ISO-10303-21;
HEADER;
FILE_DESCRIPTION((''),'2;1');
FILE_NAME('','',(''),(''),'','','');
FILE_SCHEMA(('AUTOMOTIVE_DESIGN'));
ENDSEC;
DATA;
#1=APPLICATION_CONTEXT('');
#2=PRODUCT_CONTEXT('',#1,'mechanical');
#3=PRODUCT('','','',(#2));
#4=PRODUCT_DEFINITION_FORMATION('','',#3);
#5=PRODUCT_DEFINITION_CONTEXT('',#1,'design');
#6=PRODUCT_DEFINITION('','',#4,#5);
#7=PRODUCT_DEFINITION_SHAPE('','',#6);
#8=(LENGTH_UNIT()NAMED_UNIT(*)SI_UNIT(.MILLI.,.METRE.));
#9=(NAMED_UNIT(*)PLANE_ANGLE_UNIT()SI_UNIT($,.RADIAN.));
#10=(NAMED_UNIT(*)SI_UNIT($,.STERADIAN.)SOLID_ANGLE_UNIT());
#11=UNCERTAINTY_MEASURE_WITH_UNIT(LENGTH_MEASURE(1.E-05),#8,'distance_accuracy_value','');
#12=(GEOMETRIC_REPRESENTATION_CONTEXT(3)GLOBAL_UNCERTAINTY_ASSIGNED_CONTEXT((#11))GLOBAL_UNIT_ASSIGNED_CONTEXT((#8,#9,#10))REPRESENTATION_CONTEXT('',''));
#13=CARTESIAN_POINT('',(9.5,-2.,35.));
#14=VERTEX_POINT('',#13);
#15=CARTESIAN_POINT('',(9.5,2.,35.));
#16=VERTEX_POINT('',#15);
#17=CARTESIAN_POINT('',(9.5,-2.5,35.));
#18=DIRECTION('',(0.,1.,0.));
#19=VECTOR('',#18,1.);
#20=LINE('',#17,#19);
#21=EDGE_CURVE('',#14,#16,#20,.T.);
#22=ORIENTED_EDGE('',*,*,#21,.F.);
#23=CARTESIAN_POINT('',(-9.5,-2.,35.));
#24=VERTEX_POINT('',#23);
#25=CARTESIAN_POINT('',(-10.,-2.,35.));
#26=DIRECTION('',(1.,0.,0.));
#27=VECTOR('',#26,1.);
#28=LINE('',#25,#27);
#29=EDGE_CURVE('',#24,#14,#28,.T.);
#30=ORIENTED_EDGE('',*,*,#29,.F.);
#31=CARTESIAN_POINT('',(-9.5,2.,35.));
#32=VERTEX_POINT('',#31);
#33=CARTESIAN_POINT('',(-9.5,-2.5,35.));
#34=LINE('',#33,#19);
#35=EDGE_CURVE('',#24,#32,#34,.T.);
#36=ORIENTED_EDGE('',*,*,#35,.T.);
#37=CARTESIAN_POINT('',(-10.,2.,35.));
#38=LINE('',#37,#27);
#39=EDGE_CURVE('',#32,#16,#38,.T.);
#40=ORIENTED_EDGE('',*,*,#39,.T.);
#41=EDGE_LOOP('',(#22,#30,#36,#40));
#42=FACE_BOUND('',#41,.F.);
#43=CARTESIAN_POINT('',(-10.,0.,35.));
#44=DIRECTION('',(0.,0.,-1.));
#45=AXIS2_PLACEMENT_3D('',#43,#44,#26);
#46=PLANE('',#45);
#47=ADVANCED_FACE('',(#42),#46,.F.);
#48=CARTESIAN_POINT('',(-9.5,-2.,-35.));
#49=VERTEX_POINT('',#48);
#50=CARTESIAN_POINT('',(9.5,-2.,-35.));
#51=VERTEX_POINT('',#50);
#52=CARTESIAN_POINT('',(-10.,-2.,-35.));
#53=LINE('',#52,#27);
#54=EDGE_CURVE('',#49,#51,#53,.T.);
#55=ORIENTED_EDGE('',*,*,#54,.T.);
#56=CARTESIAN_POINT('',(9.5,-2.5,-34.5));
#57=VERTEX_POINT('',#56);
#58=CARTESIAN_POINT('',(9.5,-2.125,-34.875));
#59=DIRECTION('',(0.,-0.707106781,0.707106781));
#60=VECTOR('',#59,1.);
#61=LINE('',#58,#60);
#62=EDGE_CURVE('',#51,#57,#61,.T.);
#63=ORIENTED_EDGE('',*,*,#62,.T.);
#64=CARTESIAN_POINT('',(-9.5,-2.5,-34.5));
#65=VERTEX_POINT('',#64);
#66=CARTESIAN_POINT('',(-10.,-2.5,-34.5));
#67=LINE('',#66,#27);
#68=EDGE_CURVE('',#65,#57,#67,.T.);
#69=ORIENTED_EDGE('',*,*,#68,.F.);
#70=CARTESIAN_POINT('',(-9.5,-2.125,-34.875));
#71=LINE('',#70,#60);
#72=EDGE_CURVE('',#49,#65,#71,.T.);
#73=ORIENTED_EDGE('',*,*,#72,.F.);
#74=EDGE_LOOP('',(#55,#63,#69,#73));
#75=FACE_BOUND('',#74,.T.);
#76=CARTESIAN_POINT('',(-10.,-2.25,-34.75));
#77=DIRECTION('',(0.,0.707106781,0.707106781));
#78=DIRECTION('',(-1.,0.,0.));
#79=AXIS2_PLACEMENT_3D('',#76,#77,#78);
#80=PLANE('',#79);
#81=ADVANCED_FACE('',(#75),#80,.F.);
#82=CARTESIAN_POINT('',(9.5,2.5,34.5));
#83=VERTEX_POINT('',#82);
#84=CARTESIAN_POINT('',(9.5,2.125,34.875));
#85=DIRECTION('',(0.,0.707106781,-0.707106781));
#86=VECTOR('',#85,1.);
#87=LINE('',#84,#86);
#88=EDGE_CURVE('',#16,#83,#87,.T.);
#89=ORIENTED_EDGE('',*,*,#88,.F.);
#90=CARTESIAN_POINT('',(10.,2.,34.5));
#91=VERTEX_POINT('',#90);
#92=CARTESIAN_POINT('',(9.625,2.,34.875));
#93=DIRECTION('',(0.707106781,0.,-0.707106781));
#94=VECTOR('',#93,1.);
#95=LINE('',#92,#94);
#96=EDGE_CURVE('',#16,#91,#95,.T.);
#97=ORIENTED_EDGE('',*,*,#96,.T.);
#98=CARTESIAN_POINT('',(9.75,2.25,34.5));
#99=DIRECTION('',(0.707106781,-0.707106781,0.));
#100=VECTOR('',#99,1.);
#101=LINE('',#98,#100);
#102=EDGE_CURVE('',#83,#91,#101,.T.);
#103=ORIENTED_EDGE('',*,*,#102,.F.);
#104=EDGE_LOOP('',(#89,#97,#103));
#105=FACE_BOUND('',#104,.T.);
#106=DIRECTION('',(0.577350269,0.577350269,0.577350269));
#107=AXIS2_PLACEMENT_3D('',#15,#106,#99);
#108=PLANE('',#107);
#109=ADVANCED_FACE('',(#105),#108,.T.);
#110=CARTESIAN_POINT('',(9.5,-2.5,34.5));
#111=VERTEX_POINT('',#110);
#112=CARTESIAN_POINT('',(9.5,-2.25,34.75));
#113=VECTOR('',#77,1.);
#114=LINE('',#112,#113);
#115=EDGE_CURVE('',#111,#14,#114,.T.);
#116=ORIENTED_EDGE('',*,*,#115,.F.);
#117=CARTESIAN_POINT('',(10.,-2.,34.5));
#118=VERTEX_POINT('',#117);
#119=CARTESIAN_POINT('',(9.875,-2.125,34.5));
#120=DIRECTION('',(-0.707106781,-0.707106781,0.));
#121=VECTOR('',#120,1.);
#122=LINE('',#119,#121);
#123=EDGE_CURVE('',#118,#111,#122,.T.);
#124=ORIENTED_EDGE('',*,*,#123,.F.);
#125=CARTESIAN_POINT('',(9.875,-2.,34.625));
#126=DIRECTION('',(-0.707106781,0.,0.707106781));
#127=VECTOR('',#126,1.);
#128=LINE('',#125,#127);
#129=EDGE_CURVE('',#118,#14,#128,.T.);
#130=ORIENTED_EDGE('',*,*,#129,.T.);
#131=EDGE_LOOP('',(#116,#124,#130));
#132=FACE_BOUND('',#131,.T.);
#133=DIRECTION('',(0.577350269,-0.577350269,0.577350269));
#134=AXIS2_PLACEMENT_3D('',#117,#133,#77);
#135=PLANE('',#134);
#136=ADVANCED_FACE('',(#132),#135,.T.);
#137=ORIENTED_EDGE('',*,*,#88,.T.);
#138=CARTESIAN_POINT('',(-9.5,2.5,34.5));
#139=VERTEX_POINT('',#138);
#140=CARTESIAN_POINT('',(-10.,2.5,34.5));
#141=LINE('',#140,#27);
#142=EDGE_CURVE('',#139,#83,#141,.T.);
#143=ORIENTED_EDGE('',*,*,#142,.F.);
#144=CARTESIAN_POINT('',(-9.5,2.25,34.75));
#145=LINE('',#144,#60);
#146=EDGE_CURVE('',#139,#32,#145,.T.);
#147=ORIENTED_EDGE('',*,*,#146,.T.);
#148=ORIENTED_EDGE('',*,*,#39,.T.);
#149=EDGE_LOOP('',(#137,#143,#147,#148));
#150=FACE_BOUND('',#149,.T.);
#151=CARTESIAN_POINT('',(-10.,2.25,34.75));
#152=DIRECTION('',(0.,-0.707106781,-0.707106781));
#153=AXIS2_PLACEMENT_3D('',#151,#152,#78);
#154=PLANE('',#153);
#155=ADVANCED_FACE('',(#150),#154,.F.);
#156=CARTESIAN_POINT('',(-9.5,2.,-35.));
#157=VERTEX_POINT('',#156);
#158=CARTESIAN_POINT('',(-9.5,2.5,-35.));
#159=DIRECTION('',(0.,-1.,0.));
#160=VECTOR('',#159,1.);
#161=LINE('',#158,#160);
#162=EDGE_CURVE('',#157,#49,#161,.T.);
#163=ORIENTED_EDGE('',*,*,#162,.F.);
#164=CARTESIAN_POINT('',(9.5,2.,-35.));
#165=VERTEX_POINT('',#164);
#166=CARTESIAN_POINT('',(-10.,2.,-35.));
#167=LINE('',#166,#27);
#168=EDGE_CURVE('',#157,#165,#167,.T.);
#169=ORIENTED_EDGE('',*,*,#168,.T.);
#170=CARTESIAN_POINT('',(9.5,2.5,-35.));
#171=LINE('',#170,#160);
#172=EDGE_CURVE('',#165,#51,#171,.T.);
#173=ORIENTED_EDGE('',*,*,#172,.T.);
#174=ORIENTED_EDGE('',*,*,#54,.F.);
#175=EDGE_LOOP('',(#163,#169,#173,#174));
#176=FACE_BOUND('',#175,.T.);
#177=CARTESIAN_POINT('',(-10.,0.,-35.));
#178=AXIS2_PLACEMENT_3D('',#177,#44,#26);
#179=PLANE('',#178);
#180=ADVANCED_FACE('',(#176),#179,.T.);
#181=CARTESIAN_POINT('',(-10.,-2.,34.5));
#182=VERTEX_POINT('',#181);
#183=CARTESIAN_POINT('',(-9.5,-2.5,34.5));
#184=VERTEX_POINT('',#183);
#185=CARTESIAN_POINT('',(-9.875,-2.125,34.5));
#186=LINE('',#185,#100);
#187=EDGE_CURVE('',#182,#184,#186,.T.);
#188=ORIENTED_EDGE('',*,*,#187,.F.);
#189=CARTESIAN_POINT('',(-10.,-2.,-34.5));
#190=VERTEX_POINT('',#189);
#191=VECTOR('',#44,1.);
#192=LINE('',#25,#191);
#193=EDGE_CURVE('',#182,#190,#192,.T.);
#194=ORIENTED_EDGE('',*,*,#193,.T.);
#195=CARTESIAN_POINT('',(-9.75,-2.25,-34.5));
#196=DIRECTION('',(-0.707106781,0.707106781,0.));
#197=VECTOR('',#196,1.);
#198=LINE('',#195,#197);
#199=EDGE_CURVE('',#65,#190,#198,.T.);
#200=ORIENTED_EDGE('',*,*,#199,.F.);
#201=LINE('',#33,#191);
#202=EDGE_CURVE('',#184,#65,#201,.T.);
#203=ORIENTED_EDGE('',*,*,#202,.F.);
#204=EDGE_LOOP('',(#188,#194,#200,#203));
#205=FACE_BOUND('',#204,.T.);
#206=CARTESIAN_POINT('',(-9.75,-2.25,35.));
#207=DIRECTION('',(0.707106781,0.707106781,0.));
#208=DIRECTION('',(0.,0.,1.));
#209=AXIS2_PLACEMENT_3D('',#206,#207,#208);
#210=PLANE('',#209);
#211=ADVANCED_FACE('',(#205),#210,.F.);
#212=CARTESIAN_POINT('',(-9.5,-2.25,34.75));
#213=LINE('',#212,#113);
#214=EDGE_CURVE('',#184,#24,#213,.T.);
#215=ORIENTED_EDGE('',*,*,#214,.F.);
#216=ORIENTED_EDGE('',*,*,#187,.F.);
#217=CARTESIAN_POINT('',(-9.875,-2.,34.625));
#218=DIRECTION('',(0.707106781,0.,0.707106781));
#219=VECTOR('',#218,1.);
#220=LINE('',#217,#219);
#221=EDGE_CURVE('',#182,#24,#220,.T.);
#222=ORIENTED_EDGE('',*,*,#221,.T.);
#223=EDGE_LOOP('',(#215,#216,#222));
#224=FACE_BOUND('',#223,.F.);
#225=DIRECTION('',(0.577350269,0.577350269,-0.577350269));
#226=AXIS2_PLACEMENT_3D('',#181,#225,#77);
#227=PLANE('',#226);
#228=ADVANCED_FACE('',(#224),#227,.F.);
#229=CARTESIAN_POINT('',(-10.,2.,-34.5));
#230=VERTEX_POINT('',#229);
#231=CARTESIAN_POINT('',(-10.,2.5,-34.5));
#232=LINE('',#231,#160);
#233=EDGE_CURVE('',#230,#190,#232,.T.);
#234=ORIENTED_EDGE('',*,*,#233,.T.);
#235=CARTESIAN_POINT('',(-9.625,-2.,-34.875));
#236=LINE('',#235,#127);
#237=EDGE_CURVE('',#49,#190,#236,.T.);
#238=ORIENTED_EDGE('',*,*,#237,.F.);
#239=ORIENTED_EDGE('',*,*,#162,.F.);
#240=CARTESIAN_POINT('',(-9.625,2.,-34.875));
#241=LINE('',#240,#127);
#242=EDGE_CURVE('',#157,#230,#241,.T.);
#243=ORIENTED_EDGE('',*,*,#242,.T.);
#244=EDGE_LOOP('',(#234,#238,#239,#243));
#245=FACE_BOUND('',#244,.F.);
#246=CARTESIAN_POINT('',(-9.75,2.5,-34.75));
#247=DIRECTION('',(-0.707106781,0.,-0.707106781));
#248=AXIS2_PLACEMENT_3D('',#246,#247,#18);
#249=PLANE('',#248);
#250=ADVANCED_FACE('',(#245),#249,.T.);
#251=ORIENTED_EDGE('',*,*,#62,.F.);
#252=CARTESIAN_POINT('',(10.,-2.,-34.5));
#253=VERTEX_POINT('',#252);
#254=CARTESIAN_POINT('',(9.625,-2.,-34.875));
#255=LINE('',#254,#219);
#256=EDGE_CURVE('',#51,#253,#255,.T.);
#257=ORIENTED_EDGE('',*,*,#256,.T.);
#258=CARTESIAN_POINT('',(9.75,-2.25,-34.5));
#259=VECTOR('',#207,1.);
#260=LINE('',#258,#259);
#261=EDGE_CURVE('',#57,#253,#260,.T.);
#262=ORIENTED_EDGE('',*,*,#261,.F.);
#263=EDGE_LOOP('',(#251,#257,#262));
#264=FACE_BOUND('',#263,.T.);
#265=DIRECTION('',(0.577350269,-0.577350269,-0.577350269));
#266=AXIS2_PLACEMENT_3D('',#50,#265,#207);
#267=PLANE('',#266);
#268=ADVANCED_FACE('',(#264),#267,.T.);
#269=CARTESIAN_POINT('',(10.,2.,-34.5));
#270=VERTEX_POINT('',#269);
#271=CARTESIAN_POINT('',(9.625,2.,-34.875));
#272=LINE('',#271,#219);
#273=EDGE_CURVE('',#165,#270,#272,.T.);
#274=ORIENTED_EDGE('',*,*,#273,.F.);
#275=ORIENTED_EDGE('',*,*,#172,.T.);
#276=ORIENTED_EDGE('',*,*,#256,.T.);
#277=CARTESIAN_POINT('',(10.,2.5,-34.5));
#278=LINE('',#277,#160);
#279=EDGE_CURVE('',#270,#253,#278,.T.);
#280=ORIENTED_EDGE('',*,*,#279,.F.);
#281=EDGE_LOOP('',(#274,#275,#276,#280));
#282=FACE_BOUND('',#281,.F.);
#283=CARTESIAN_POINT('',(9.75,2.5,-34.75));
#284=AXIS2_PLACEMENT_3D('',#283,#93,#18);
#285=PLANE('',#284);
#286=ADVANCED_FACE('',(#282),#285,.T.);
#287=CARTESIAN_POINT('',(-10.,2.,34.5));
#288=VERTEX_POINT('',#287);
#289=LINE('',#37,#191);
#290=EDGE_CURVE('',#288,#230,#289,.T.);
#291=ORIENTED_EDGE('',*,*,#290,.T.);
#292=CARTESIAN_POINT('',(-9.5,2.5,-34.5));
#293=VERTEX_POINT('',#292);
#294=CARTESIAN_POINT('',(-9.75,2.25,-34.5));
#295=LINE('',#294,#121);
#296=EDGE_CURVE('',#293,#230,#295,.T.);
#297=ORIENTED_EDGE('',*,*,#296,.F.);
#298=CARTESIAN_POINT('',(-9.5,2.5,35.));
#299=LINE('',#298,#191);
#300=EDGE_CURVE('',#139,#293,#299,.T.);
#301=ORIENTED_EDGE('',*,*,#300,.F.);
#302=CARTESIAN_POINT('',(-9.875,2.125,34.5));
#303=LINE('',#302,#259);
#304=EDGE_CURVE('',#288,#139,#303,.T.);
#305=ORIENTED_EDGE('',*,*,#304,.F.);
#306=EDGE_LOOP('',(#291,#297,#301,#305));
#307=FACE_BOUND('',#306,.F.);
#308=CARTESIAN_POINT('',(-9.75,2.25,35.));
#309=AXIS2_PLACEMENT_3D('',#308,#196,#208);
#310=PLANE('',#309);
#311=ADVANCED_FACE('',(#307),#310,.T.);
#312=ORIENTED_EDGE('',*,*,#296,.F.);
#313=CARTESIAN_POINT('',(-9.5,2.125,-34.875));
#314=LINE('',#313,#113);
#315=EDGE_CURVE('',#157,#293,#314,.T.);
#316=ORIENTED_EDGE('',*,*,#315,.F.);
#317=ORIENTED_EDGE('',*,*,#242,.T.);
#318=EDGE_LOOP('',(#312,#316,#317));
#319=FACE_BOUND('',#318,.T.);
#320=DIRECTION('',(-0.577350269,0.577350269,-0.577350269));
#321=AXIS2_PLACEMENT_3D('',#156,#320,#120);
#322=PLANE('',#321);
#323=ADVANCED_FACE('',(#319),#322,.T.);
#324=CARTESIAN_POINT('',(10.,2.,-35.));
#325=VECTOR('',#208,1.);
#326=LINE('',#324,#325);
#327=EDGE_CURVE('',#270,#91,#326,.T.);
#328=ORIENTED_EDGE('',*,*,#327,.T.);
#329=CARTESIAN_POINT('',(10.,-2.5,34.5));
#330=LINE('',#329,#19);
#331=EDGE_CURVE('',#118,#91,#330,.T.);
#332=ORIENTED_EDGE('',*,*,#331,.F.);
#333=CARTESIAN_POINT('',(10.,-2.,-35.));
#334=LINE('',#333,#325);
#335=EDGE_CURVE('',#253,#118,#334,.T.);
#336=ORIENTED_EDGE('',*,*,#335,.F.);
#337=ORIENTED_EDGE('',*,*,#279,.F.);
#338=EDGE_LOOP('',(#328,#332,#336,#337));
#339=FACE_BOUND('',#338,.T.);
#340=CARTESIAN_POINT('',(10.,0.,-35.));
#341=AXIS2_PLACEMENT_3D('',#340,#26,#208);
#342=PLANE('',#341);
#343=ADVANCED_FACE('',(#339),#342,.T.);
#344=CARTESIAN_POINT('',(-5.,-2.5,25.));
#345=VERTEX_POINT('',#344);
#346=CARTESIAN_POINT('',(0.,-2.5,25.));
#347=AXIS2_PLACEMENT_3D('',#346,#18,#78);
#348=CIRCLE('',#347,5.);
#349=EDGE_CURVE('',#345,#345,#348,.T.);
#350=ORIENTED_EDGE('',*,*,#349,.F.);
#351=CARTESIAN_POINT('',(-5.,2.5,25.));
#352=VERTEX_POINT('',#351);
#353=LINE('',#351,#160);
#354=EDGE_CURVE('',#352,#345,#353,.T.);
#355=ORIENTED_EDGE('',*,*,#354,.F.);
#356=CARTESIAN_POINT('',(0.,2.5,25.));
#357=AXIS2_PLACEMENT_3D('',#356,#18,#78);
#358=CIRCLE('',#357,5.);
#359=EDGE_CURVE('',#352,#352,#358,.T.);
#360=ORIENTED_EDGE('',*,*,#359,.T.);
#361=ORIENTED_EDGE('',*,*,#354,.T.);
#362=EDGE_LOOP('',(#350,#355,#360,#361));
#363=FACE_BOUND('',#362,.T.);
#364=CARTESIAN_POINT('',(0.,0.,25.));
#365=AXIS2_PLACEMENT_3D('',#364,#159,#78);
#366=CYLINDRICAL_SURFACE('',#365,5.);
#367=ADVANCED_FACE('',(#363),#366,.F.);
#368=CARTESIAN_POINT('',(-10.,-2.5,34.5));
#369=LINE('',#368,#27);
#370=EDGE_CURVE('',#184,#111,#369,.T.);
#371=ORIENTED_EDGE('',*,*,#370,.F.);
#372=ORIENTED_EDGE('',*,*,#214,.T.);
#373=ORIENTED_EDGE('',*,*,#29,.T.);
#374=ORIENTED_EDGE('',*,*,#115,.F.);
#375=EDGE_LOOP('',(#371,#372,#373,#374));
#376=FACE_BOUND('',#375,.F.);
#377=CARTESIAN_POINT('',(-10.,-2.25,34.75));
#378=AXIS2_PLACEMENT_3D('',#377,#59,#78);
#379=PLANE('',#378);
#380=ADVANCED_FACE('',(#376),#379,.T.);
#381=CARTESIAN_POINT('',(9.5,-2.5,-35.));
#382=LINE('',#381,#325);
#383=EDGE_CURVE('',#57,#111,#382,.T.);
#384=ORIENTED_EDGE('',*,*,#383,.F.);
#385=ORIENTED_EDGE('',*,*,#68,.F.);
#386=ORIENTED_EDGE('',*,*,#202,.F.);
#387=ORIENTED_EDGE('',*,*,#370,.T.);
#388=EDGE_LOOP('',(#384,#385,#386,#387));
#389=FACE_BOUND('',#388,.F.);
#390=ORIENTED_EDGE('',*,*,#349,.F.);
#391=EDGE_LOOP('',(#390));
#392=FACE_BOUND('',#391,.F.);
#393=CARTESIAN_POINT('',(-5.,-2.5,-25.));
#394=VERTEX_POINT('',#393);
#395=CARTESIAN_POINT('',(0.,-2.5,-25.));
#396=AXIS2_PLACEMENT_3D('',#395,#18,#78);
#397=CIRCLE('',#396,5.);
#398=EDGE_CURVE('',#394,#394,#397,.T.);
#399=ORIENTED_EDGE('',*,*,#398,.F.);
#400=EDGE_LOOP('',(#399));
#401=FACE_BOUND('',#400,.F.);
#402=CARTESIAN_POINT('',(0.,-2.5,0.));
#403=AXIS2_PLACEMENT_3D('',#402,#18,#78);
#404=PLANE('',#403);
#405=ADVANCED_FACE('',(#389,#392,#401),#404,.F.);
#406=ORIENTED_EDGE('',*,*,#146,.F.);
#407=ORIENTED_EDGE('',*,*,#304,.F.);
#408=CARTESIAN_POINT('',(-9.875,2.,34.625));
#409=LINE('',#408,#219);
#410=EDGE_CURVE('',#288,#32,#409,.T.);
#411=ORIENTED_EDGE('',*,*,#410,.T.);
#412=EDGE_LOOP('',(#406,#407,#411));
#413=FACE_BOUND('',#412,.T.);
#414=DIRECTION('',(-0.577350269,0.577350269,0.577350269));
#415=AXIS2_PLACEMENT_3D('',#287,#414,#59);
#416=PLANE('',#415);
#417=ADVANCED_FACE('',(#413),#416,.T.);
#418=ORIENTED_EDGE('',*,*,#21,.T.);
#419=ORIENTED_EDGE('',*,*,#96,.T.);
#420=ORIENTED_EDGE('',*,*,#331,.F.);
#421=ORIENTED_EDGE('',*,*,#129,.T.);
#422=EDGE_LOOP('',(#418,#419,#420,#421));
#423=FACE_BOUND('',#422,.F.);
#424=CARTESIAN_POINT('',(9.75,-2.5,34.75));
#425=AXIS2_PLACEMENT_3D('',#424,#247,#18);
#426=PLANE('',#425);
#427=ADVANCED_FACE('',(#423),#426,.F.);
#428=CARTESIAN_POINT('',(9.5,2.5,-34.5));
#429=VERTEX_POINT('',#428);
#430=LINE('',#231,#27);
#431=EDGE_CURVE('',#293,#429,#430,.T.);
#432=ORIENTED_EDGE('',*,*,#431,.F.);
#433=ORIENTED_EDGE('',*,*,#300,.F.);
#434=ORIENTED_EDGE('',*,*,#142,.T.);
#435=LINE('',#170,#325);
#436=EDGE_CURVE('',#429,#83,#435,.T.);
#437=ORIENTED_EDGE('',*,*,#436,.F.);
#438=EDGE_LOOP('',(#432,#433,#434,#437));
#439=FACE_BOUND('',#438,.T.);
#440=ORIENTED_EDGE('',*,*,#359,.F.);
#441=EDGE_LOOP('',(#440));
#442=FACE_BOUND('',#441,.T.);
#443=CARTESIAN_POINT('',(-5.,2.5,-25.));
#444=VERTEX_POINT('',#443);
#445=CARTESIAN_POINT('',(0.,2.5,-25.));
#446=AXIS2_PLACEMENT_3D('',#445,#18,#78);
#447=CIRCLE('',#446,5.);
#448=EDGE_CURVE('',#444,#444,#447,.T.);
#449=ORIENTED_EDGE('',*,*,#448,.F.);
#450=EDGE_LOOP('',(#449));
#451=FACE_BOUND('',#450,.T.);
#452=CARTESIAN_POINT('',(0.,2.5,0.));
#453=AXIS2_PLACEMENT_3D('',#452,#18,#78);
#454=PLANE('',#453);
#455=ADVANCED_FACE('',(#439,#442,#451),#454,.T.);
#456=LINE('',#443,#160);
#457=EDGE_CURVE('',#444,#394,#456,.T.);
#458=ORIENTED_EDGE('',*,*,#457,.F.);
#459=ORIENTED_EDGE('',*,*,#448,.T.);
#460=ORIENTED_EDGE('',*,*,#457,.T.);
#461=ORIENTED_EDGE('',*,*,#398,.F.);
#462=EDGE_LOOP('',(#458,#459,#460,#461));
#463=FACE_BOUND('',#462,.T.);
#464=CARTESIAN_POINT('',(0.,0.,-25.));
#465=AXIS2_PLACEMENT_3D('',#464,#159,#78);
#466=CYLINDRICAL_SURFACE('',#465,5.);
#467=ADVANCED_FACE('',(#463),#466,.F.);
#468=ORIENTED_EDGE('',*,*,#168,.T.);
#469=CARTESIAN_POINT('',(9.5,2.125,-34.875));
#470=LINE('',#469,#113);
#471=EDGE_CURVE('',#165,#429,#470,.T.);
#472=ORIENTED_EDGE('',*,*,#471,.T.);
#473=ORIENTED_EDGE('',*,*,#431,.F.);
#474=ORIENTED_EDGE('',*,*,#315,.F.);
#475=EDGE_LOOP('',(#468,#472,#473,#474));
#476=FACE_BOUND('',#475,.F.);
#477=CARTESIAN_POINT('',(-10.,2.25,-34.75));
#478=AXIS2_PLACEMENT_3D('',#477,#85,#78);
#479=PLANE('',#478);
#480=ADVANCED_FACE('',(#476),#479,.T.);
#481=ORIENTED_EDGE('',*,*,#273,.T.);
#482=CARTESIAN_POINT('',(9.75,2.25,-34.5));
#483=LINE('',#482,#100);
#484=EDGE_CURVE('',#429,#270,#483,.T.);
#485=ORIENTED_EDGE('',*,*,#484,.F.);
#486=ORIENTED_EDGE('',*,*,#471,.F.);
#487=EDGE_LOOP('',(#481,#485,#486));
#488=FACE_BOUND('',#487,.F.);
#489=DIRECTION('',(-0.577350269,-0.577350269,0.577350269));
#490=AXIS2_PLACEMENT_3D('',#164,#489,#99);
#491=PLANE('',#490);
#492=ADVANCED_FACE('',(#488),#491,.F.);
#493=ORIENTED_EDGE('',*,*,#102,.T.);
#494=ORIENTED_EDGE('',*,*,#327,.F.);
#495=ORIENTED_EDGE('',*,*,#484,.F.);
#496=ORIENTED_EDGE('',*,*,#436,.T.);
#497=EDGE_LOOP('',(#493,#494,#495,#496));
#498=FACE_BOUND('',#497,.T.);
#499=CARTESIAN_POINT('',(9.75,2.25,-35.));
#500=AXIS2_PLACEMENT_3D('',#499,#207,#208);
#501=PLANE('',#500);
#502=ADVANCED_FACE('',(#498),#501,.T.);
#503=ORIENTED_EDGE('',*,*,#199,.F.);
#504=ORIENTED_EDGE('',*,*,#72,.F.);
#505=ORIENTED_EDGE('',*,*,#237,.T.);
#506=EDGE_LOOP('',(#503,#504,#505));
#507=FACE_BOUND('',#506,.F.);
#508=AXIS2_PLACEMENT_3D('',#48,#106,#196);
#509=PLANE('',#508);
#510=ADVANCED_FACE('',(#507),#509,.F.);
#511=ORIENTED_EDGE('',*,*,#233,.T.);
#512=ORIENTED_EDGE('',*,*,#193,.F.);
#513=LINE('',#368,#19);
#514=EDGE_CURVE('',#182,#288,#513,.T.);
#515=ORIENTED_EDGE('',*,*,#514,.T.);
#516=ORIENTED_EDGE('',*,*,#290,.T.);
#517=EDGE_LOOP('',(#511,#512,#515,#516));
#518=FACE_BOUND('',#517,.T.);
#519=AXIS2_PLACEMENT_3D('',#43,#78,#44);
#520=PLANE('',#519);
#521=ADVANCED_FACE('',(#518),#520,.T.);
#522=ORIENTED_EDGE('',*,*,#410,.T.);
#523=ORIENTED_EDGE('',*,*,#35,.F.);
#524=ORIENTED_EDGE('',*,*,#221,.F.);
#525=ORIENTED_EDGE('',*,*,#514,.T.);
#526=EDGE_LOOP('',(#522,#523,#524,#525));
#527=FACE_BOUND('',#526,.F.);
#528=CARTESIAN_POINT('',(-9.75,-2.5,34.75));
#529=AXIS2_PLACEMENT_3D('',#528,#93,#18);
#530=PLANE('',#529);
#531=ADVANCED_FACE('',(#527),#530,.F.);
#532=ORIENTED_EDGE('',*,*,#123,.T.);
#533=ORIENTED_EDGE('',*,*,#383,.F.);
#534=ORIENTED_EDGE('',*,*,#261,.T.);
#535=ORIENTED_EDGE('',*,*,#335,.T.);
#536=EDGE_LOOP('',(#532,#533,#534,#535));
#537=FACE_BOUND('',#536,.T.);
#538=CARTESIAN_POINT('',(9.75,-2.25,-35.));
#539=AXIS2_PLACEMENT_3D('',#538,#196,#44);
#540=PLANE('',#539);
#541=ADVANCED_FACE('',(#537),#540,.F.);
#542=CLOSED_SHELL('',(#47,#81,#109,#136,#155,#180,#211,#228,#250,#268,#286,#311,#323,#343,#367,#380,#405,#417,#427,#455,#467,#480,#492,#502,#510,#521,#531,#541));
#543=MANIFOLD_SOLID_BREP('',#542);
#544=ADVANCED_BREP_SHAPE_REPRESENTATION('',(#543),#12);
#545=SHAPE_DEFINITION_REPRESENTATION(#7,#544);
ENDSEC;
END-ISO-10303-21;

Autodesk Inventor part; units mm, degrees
ref_plane "YZ Plane" through (0, 0, 0) normal (1, 0, 0) x (0, 1, 0)
ref_plane "XZ Plane" through (0, 0, 0) normal (0, 1, 0) x (-1, 0, 0)
ref_plane "XY Plane" through (0, 0, 0) normal (0, 0, 1) x (1, 0, 0)
sketch "Sketch1" plane through (0, 0, 0) normal (0, 1, 0) x (-1, 0, 0)
  circle A0 centre (0, 25) radius 5
  circle A1 centre (0, -25) radius 5
  line L0 (10, 35) -> (10, -35)
  line L1 (-10, -35) -> (-10, 35)
  line L2 (10, -35) -> (-10, -35)
  line L3 (10, 35) -> (-10, 35)
  line L4 (0, -25) -> (0, 25) construction
  point P0 (0, 0)
  point P1 (10, 0)
  point P2 (0, -35)
  point P3 (0, 35)
  point P4 (0, 0)
  dimension "d1" = 10
  dimension "d5" = 20
  dimension "d6" = 10
  dimension "d7" = 50
extrude "Extrusion1" add sketch "Sketch1" along normal mid plane 5
chamfer "Chamfer2" distance 0.5 angle 45 12 edges at (10, 2.5, 0) (0, 2.5, 35) (-10, 2.5, 0) (0, 2.5, -35) (0, -2.5, 35) (10, -2.5, 0) (-10, -2.5, 0) (0, -2.5, -35) (10, 0, 35) (-10, 0, 35) (10, 0, -35) (-10, 0, -35)
equation "\"d6\" = d5 - d1"
properties part number "link_c" material "Aluminium 6082 T6"
